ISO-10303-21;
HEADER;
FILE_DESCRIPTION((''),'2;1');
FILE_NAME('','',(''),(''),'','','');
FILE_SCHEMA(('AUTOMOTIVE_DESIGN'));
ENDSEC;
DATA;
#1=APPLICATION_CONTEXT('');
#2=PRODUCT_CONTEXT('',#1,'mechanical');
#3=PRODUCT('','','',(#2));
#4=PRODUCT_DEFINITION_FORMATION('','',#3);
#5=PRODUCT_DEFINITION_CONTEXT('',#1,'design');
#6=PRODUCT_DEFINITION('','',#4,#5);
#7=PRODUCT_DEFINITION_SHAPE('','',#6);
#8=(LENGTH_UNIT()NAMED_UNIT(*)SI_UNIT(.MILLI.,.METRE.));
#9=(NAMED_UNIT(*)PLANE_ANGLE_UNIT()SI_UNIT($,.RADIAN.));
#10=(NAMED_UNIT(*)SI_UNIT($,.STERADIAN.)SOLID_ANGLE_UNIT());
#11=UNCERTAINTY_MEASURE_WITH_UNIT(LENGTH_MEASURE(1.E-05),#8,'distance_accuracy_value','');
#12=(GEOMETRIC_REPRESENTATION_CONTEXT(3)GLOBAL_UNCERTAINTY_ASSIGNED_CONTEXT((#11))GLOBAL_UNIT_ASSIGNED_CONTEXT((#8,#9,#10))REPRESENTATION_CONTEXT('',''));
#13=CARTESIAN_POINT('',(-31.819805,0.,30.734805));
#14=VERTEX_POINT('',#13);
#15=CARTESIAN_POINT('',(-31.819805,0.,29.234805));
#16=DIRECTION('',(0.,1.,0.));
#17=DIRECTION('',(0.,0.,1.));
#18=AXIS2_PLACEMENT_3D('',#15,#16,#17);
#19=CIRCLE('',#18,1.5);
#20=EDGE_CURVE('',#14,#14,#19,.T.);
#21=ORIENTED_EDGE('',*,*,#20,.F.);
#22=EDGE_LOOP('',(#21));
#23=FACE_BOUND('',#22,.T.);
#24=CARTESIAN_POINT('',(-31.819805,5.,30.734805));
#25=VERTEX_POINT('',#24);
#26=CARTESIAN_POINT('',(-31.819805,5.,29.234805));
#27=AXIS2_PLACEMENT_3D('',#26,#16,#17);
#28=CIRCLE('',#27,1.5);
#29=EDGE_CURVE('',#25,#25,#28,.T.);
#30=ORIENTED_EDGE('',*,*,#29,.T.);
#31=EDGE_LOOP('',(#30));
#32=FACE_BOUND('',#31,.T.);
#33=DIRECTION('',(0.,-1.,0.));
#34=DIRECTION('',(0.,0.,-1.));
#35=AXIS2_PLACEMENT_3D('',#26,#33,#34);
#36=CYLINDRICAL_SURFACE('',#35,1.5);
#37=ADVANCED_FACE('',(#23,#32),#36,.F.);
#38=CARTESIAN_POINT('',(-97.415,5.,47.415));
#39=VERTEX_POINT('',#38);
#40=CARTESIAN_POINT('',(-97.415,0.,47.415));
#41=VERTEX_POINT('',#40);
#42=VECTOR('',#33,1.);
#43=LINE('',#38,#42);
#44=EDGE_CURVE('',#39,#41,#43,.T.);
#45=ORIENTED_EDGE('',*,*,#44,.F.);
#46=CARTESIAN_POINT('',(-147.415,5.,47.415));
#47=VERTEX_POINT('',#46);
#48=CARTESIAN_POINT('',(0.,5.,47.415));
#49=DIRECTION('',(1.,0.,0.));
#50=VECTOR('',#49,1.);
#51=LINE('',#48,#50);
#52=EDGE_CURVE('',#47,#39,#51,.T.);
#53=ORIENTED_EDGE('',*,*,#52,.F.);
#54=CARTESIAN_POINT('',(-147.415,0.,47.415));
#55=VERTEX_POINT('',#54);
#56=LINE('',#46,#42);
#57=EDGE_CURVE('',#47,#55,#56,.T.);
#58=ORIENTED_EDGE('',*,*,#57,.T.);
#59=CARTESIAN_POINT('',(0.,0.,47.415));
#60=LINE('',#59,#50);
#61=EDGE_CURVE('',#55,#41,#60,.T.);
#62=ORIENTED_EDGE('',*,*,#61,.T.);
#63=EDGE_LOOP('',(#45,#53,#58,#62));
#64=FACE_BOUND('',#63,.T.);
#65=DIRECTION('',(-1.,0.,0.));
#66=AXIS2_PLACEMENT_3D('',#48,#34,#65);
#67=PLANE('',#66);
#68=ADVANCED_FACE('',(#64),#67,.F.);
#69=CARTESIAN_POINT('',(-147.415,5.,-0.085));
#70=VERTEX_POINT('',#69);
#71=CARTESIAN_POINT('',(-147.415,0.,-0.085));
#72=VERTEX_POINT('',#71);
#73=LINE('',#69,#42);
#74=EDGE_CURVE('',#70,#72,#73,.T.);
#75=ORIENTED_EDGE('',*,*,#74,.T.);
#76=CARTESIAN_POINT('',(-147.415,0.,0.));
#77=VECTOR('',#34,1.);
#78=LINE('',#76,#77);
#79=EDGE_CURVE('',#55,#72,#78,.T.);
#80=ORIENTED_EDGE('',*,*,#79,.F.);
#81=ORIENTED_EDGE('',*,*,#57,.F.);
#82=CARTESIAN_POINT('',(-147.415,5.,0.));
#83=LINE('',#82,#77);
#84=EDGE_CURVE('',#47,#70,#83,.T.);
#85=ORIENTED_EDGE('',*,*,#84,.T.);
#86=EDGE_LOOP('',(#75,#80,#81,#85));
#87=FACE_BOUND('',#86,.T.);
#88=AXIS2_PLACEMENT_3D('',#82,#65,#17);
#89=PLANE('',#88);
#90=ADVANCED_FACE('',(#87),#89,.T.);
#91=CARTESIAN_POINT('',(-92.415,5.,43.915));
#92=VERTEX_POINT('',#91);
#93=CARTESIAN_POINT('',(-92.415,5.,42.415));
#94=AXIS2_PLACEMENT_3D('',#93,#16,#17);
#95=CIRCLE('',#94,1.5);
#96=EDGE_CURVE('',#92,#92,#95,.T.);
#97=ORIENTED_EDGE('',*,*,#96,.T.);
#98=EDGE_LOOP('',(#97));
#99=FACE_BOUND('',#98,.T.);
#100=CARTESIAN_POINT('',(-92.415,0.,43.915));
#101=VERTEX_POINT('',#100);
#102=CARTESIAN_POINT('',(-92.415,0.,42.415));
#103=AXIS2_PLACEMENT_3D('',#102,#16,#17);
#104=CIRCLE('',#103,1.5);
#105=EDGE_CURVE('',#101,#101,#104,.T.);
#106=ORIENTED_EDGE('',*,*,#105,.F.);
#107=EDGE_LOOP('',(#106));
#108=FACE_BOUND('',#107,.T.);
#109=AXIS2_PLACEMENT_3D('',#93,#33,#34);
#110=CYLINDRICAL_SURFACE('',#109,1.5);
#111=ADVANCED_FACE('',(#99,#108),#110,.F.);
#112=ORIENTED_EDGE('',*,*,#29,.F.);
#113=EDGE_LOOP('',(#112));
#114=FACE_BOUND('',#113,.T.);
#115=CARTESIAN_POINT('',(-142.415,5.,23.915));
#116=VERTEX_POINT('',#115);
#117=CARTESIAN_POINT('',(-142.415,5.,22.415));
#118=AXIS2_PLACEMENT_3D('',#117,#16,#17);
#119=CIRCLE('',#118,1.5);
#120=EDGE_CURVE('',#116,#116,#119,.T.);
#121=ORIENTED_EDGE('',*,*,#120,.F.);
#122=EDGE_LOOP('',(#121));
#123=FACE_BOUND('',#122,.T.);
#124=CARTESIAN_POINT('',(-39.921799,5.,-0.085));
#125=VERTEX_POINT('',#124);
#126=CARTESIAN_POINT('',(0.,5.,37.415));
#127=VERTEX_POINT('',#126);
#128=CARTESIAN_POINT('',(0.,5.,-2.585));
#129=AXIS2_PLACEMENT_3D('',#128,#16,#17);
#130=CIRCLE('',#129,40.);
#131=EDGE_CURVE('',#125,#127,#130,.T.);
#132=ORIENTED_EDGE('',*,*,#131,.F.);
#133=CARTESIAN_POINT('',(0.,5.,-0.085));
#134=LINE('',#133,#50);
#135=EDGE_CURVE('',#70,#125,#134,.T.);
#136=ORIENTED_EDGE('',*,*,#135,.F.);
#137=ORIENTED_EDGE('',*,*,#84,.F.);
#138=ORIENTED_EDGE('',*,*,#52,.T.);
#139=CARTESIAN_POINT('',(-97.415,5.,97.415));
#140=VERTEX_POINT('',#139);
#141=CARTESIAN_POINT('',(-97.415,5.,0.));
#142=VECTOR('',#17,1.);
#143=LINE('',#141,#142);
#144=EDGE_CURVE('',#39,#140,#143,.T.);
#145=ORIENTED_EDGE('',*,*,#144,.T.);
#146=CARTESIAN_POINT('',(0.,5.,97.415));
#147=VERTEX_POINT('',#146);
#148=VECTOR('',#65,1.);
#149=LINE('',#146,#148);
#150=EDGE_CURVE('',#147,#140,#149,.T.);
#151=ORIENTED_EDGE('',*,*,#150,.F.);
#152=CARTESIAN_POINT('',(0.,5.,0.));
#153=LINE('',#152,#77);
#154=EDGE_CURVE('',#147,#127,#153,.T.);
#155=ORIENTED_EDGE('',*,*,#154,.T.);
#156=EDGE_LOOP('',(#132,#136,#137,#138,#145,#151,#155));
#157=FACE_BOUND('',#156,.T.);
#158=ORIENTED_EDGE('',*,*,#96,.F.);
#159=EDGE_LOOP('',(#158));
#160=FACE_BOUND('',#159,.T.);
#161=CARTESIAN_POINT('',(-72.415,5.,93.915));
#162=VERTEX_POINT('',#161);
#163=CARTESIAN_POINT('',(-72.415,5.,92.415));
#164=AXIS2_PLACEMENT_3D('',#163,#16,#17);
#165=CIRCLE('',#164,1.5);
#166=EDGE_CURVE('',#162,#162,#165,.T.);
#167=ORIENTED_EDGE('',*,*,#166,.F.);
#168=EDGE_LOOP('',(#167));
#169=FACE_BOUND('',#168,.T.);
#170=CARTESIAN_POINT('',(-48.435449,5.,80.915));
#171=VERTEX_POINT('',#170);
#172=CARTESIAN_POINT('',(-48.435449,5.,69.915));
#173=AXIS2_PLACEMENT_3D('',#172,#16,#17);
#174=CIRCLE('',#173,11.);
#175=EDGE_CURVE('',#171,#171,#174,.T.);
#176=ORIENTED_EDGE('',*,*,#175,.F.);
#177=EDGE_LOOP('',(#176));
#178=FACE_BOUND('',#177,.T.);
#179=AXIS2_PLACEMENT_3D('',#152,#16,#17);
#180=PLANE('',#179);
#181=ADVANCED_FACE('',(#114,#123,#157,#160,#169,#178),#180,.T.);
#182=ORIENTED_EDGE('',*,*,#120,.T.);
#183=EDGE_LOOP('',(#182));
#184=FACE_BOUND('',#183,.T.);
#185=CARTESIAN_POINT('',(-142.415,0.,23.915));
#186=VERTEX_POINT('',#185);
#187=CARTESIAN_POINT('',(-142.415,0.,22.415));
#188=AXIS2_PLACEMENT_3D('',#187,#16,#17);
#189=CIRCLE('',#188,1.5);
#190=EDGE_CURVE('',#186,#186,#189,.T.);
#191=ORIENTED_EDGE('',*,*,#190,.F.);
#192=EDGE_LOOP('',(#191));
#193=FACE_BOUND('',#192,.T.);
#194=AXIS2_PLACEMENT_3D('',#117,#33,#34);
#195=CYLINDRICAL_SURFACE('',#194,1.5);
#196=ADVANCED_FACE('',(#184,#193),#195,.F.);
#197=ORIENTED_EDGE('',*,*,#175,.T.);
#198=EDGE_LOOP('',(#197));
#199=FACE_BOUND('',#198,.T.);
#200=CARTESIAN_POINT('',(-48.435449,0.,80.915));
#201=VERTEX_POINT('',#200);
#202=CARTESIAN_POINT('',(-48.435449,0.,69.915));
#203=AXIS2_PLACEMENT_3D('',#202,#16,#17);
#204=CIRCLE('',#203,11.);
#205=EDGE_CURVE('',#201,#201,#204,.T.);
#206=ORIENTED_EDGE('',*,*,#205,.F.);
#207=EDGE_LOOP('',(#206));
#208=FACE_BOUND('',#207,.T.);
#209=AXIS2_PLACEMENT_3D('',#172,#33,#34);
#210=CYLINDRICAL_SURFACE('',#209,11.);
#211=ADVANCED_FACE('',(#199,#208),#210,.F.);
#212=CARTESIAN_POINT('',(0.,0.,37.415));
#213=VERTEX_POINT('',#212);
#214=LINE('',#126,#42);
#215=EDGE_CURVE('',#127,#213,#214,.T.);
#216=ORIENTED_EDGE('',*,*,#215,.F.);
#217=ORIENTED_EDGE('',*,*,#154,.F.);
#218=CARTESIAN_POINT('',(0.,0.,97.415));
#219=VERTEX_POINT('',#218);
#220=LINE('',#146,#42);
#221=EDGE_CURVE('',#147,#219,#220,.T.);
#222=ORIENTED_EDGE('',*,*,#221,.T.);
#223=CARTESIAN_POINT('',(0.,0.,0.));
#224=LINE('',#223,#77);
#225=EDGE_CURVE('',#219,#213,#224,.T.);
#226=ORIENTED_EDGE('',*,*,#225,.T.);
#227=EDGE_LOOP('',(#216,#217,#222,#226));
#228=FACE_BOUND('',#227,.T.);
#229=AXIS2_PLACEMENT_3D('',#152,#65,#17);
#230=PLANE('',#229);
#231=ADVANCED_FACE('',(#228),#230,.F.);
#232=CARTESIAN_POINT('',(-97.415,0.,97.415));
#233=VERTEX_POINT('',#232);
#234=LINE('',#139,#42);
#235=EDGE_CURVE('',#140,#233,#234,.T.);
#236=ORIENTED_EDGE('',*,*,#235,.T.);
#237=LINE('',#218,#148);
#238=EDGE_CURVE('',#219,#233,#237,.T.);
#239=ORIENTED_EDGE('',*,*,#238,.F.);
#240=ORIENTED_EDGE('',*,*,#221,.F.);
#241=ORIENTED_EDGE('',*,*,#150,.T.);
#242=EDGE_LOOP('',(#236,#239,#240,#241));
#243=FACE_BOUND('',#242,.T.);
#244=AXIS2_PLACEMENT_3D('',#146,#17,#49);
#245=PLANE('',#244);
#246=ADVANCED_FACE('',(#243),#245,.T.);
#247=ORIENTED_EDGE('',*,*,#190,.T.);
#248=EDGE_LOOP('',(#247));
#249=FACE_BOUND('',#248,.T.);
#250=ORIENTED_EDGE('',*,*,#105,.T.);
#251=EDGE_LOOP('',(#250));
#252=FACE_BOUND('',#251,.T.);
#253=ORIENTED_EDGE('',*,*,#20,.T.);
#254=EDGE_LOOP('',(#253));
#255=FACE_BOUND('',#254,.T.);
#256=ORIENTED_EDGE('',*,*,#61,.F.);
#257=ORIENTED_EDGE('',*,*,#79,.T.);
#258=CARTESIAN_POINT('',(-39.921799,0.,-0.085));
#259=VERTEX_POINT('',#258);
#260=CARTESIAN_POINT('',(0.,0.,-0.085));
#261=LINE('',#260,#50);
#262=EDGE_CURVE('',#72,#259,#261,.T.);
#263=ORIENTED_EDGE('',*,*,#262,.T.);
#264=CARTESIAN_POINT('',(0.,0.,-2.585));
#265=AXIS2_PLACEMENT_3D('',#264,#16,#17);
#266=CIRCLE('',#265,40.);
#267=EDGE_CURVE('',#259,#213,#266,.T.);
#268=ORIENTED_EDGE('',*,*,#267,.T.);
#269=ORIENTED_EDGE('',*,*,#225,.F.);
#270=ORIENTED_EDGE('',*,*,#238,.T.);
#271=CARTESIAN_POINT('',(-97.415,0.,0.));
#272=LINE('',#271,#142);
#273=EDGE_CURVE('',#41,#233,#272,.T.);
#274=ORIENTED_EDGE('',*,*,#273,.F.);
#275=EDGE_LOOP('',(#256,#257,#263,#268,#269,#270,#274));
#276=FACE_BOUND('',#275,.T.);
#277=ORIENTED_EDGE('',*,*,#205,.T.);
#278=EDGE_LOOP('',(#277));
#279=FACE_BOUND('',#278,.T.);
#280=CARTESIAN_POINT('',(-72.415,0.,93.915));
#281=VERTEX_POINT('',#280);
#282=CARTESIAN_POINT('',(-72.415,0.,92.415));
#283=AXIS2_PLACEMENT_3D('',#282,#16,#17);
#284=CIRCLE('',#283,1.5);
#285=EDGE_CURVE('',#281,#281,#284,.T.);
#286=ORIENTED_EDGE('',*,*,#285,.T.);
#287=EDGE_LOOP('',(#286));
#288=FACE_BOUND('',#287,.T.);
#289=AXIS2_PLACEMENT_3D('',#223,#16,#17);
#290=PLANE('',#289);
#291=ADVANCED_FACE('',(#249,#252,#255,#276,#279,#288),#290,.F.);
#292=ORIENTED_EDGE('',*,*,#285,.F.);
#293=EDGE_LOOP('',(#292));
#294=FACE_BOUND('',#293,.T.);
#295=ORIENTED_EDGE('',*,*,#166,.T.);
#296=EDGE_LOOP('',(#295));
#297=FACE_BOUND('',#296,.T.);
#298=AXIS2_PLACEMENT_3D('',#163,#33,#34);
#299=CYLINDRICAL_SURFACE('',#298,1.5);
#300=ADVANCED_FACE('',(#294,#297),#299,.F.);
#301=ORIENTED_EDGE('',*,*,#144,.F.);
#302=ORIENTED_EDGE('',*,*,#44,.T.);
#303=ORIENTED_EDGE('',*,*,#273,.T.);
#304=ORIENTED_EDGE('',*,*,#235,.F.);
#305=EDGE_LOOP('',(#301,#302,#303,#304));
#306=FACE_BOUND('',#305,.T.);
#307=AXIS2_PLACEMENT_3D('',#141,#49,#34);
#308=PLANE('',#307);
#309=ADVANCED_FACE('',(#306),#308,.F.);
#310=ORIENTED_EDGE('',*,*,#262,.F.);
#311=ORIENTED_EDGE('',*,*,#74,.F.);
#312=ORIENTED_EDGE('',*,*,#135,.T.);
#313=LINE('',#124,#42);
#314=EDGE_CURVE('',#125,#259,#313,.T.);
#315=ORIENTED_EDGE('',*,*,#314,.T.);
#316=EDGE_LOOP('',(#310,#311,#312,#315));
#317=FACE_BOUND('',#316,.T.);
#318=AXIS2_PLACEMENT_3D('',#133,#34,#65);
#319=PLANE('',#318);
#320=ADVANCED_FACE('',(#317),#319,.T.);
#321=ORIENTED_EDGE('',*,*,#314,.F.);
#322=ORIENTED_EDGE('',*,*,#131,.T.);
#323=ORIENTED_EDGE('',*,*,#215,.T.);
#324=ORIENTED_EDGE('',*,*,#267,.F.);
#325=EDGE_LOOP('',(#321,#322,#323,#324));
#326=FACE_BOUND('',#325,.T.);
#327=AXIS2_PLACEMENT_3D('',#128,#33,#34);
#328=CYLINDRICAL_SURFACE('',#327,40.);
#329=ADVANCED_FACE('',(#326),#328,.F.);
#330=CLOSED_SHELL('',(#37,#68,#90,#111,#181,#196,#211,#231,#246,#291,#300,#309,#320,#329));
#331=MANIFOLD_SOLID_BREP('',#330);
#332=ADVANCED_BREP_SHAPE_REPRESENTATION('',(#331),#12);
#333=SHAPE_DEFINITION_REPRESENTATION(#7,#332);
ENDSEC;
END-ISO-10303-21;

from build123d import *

# Parameters (mm, degrees)
ESQUISSE1_R        = 1.5
ESQUISSE1_R_2      = 11
BOSS_EXTRU_1_DEPTH = 5


with BuildPart() as part:
    # Esquisse1 → Boss.-Extru.1 (new body)
    with BuildSketch(Plane(origin=(0, 0, 0), x_dir=(1, 0, 0), z_dir=(0, 1, 0))):
        with BuildLine():
            Line((-97.415, -97.415), (0, -97.415))
            Line((0, -97.415), (0, -37.415))
            ThreePointArc((0, -37.415), (-27.386127875, -26.569759474), (-39.921798557, 0.085))
            Line((-39.921798557, 0.085), (-147.415, 0.085))
            Line((-147.415, 0.085), (-147.415, -47.415))
            Line((-147.415, -47.415), (-97.415, -47.415))
            Line((-97.415, -47.415), (-97.415, -97.415))
        make_face()
        with Locations(Location((-72.415, -92.415, 0), (0, 0, 270))):
            Circle(ESQUISSE1_R, mode=Mode.SUBTRACT)
        with Locations(Location((-48.43544943, -69.915, 0), (0, 0, 270))):
            Circle(ESQUISSE1_R_2, mode=Mode.SUBTRACT)
        with Locations(Location((-142.415, -22.415, 0), (0, 0, 270))):
            Circle(ESQUISSE1_R, mode=Mode.SUBTRACT)
        with Locations(Location((-92.415, -42.415, 0), (0, 0, 270))):
            Circle(ESQUISSE1_R, mode=Mode.SUBTRACT)
        with Locations(Location((-31.819805153, -29.234805153, 0), (0, 0, 270))):
            Circle(ESQUISSE1_R, mode=Mode.SUBTRACT)
    extrude(amount=BOSS_EXTRU_1_DEPTH)


solid = part.part
